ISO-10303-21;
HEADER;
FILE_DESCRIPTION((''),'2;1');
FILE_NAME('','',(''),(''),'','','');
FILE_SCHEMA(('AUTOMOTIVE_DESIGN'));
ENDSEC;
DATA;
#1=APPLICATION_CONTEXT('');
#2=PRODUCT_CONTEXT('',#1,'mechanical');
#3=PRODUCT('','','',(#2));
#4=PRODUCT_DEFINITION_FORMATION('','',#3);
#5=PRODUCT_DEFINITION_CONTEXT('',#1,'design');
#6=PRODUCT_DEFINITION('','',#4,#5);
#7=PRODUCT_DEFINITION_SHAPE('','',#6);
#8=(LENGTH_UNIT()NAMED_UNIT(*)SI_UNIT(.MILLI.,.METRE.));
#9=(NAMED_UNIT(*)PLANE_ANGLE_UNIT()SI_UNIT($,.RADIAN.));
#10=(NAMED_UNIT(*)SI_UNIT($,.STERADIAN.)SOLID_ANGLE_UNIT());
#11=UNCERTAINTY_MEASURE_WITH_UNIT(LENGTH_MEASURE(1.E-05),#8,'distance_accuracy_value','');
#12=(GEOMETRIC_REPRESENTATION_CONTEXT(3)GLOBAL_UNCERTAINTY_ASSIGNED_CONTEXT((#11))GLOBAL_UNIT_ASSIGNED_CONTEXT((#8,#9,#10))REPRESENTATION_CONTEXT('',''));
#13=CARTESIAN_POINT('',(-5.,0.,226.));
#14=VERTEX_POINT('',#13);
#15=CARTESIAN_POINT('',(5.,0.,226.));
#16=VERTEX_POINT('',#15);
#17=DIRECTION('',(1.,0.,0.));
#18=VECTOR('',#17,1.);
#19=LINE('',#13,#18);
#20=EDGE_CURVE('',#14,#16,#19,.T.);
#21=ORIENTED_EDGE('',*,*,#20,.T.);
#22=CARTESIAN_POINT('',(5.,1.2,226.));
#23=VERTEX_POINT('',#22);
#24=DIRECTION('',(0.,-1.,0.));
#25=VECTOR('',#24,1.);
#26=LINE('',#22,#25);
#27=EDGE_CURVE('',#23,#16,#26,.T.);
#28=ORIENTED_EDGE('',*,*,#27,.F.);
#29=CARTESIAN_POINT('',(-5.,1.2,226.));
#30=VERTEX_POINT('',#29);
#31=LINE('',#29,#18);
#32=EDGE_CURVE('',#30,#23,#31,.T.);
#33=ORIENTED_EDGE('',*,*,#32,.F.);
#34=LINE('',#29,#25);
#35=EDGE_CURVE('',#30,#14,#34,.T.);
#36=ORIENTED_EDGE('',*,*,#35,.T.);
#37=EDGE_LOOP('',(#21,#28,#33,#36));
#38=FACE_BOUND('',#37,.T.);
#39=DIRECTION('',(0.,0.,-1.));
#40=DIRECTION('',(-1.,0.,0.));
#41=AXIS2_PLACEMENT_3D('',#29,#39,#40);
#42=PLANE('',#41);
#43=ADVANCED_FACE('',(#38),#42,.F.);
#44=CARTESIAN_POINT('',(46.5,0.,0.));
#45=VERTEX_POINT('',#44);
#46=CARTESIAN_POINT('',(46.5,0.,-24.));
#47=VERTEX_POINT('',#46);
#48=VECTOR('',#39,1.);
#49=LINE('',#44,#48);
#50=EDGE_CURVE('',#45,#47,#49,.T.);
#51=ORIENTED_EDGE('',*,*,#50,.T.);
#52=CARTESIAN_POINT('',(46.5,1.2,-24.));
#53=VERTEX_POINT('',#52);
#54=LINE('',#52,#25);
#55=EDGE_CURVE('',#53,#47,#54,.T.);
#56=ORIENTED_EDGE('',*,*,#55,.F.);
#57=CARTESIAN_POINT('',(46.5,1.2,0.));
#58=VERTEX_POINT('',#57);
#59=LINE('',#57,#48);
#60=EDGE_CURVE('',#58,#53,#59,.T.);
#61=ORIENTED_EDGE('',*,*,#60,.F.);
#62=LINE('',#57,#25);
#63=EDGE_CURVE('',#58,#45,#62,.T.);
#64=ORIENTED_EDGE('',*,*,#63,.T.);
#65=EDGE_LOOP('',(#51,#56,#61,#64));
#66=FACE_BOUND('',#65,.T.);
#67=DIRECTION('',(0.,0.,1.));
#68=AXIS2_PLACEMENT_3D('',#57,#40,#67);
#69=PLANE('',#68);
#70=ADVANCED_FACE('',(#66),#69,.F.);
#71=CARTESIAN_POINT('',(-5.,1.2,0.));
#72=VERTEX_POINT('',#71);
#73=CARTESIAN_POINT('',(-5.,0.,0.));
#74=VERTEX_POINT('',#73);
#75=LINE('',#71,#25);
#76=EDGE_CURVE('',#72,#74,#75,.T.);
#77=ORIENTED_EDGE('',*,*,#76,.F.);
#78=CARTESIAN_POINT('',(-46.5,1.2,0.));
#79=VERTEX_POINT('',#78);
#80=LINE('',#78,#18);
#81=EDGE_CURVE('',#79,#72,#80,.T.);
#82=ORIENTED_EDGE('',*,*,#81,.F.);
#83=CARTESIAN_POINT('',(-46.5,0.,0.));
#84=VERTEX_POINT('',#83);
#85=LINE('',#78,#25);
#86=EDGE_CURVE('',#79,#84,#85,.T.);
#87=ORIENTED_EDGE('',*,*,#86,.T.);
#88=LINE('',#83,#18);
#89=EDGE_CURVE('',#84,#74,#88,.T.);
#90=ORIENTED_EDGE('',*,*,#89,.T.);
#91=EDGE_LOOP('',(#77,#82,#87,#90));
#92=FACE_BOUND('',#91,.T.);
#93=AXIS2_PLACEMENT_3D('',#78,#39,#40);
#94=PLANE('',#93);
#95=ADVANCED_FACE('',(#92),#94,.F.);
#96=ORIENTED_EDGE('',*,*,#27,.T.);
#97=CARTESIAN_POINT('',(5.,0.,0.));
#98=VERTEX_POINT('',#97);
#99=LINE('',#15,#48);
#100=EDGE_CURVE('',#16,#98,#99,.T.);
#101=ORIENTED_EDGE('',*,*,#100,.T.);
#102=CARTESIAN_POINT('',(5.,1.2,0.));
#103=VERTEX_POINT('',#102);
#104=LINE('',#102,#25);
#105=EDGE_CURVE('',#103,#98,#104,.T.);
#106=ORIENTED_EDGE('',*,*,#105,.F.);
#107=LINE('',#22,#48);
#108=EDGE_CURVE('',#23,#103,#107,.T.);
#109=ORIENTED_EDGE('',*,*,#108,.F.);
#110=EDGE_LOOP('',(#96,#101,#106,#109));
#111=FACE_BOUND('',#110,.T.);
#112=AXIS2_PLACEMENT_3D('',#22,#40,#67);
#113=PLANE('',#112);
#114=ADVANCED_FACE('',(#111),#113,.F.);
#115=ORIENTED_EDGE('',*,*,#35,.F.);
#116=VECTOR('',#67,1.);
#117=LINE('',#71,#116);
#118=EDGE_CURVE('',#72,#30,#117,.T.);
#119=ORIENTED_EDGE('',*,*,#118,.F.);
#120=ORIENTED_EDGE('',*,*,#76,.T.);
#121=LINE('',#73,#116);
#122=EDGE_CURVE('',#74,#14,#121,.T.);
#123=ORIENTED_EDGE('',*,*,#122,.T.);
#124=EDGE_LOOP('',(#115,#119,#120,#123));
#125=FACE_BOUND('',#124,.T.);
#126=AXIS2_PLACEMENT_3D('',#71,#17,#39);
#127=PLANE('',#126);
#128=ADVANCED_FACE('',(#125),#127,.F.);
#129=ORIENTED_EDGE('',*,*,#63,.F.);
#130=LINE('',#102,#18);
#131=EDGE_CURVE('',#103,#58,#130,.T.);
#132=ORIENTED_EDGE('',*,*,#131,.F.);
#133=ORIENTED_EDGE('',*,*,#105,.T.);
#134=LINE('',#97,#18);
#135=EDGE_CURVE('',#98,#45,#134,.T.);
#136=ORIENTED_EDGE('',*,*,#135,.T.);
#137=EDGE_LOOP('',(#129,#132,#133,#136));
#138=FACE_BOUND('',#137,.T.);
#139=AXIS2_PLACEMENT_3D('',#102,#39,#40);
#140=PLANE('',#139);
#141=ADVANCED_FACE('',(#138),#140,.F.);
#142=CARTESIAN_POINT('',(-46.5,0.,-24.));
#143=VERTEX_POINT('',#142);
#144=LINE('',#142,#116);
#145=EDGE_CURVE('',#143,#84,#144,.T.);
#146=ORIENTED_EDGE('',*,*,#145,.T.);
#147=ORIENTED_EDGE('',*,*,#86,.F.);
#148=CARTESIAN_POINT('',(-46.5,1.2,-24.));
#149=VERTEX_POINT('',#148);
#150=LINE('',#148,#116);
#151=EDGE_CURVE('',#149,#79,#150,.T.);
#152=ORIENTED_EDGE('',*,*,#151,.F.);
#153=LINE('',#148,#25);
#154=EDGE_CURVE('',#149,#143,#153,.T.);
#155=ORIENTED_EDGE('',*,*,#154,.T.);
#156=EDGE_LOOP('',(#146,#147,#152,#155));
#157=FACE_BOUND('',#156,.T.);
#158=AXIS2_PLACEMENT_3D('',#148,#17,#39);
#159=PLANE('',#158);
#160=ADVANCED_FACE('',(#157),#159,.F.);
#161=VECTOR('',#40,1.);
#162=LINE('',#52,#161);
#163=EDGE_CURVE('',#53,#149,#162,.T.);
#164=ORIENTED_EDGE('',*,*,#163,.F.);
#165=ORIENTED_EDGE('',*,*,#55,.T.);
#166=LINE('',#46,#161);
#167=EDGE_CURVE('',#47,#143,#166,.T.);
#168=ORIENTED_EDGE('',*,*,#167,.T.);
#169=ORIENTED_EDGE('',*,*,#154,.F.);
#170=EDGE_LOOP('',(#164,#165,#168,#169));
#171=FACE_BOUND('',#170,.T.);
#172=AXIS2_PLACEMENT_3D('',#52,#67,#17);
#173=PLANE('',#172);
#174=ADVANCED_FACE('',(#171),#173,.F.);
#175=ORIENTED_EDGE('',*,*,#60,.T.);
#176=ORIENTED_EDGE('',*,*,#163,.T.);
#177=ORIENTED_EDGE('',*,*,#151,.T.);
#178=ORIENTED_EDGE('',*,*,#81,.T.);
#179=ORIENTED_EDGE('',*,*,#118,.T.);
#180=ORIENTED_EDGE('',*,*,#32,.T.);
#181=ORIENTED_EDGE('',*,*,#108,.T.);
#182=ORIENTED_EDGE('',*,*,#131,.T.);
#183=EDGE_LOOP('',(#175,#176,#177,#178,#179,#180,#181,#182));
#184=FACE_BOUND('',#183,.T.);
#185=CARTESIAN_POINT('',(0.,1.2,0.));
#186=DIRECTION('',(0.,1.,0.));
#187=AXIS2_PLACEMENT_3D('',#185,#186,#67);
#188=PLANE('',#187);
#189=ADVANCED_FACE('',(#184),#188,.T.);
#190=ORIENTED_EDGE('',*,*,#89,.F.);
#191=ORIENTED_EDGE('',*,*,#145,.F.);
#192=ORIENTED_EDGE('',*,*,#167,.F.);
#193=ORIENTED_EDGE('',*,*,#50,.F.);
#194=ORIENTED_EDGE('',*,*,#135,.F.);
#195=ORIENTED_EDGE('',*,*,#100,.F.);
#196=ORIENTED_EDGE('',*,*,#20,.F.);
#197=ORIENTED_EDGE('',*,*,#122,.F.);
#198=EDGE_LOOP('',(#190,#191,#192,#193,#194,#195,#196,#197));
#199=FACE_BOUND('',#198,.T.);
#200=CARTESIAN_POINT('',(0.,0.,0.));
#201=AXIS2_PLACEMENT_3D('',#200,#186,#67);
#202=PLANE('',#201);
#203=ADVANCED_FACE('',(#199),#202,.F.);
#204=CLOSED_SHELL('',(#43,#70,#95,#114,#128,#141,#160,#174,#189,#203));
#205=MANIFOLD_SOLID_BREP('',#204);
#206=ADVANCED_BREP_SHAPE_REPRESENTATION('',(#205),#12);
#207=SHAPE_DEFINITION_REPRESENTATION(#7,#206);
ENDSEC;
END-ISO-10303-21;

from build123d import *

# Parameters (mm, degrees)
BOSS_EXTRUDE1_DEPTH = 1.2


with BuildPart() as part:
    # Sketch1 → Boss-Extrude1 (new body)
    with BuildSketch(Plane(origin=(0, 0, 0), x_dir=(1, 0, 0), z_dir=(0, 1, 0))):
        Polygon((-46.5, 24), (-46.5, 0), (-5, 0), (-5, -226), (5, -226), (5, 0), (46.5, 0), (46.5, 24), align=None)
    extrude(amount=BOSS_EXTRUDE1_DEPTH)


solid = part.part
